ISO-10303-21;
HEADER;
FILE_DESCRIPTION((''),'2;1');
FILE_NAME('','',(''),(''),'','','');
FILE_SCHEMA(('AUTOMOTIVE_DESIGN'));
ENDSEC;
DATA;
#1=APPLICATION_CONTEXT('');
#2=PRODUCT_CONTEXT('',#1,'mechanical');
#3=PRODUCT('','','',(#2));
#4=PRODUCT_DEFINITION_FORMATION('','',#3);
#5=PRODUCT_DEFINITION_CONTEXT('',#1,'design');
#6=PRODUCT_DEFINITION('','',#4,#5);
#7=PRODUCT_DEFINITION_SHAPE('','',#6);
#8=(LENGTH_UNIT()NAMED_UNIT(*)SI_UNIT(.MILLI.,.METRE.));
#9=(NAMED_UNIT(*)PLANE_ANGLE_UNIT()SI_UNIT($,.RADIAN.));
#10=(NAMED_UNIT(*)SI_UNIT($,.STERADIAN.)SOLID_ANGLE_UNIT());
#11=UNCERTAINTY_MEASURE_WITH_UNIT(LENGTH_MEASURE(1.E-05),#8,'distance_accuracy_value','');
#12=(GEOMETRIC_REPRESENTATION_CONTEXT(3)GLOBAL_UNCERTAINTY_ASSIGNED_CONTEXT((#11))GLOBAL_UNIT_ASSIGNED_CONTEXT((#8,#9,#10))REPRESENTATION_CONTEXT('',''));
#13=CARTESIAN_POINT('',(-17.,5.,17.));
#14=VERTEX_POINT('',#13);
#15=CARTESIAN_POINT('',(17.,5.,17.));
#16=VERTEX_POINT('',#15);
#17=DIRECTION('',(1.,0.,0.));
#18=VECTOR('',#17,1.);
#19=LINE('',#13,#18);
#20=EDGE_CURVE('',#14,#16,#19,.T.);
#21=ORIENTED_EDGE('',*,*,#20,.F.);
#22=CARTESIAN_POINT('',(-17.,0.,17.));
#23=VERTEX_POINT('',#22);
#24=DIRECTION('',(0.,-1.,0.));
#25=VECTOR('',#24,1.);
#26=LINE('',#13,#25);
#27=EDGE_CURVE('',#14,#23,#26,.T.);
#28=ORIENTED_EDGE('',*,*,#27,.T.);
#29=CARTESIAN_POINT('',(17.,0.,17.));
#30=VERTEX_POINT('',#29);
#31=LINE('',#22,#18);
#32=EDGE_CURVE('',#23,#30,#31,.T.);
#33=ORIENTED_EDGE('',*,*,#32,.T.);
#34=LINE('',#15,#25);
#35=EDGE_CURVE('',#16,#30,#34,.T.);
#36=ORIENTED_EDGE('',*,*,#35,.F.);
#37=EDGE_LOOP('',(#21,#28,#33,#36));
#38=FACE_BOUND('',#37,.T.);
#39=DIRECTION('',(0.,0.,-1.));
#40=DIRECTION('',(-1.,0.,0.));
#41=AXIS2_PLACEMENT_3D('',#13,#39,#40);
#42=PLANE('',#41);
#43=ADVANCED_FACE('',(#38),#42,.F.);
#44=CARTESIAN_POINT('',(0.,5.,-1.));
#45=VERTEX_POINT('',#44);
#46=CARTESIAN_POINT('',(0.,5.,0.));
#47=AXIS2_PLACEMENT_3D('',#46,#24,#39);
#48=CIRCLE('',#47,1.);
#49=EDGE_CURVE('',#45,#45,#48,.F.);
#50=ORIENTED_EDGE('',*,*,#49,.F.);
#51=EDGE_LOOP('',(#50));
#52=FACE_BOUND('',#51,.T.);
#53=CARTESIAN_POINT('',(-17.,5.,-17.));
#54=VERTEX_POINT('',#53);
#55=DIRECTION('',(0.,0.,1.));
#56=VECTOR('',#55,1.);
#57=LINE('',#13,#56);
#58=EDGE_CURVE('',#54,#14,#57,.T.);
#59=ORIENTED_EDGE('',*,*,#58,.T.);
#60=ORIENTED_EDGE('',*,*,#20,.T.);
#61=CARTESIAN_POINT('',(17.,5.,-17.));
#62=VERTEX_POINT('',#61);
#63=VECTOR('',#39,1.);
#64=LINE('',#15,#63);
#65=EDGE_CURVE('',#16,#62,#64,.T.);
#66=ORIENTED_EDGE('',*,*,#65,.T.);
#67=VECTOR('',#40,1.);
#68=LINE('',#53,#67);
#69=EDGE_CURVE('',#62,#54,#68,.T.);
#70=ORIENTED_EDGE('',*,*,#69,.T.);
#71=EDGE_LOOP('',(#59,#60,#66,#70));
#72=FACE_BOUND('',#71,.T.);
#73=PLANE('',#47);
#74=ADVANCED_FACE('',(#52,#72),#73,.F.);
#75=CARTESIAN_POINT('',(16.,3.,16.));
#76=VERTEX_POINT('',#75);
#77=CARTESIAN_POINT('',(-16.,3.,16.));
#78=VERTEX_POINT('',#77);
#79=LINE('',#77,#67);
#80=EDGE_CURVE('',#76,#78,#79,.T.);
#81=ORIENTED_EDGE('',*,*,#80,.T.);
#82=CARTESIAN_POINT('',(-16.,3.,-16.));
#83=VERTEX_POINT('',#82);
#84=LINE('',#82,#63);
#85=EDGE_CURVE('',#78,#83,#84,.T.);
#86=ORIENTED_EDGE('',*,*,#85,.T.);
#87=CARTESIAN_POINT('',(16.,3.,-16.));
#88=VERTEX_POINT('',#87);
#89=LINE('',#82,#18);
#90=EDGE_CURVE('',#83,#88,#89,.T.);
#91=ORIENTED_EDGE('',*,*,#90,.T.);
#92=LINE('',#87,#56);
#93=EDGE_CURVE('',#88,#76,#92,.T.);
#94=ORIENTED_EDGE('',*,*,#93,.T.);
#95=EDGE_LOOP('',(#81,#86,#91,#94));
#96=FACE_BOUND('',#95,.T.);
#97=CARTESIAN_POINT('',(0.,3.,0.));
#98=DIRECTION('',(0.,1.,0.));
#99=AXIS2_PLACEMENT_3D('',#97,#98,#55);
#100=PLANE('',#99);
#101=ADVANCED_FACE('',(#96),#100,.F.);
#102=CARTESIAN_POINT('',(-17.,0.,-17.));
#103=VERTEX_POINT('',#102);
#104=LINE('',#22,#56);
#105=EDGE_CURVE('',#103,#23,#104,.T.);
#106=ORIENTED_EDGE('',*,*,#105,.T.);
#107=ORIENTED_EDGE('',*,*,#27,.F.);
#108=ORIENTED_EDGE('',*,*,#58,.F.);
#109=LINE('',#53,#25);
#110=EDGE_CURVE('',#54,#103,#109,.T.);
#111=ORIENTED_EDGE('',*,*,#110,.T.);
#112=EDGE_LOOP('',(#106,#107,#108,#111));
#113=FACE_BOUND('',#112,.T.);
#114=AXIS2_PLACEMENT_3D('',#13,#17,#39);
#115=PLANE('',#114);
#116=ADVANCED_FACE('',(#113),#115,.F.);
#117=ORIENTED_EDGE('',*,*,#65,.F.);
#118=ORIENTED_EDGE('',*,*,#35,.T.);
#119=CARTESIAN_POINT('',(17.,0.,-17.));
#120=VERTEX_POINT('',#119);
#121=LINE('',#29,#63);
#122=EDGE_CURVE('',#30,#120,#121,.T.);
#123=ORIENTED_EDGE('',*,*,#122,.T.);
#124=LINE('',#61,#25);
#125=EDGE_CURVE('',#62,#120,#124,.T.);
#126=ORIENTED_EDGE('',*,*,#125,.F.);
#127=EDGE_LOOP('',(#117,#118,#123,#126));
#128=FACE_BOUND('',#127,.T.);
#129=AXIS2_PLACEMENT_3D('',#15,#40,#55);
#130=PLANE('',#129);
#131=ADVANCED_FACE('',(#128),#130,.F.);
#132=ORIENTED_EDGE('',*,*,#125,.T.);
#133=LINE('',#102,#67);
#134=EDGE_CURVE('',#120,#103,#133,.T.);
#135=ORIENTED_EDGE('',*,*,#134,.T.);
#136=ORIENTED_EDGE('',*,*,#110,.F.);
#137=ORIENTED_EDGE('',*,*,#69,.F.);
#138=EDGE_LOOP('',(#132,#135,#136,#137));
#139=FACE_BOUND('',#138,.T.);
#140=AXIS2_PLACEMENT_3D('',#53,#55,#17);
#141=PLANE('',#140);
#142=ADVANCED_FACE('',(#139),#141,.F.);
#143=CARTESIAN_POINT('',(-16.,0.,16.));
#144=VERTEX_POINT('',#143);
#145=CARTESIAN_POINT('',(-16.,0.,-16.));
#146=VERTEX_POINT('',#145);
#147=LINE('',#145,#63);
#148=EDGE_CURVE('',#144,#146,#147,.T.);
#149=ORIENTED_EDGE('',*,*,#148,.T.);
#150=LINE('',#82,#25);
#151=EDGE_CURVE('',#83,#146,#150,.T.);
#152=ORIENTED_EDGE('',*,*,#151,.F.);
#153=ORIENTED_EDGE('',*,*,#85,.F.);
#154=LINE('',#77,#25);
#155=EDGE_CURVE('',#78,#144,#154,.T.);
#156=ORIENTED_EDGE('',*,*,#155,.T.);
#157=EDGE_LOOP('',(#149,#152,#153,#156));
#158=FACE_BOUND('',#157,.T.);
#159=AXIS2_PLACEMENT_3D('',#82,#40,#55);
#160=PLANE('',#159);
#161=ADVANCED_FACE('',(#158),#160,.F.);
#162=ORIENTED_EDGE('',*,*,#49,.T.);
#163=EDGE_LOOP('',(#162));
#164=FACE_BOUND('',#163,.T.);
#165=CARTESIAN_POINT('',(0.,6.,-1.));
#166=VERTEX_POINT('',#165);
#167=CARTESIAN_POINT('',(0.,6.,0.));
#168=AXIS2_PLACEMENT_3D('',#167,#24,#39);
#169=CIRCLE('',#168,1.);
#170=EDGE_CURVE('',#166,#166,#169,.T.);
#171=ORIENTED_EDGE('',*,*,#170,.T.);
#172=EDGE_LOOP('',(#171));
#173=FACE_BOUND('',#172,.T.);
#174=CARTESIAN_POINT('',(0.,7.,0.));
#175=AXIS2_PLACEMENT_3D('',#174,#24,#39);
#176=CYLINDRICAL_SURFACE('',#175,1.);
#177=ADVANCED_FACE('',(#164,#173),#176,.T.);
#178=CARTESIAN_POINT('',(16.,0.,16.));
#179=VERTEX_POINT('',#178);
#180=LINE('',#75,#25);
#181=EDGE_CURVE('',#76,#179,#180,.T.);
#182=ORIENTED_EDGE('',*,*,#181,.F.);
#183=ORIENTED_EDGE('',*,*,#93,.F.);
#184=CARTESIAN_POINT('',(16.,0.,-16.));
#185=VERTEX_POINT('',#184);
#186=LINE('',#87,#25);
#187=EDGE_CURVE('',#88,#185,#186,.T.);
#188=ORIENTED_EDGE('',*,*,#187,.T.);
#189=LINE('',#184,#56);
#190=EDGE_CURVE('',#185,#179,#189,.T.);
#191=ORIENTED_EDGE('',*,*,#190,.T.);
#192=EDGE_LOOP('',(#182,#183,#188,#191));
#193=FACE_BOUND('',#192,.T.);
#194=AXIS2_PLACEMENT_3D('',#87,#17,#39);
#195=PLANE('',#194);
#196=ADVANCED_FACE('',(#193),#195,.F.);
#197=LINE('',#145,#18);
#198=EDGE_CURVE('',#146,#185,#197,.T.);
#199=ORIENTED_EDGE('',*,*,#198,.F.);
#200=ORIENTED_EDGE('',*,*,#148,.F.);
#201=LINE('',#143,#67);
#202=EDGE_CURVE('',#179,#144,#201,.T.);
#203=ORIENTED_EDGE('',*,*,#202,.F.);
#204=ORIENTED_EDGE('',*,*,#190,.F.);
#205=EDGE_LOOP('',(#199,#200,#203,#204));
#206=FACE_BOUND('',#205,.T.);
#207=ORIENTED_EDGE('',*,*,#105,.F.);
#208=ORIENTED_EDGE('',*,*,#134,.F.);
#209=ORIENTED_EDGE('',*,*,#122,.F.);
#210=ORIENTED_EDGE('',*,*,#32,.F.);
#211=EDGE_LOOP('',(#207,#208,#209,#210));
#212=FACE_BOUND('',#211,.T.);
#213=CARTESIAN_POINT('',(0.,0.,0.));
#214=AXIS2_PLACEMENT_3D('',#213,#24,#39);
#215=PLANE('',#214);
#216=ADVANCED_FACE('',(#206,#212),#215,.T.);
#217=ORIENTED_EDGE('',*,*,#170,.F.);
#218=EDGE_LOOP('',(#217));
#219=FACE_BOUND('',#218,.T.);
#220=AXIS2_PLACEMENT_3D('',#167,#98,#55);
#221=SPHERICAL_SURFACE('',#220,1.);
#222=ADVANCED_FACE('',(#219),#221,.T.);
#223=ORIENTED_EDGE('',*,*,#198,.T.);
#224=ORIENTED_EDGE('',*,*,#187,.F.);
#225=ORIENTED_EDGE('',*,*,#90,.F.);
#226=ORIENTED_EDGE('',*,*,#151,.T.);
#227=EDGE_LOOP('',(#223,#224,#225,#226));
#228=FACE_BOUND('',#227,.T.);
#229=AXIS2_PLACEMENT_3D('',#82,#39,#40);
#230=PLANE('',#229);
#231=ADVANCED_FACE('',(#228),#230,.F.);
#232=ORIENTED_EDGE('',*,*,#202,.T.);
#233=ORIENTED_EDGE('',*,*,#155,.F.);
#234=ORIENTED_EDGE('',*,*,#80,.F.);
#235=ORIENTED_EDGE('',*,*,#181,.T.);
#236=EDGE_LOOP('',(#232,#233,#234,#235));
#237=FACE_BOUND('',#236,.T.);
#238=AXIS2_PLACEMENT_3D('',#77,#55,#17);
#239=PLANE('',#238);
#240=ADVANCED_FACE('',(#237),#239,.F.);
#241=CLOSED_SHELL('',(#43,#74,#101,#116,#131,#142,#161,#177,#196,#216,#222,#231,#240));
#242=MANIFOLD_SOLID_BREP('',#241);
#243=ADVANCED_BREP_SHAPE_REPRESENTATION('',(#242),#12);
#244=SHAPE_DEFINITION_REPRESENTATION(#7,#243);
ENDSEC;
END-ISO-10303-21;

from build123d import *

# Parameters (mm, degrees)
SKETCH2_W           = 34
SKETCH2_H           = 34
BOSS_EXTRUDE1_DEPTH = 5
SKETCH3_W           = 32
SKETCH3_H           = 32
CUT_EXTRUDE1_DEPTH  = 3
SKETCH4_R           = 1
BOSS_EXTRUDE2_DEPTH = 2
FILLET1_R           = 1


with BuildPart() as part:
    # Sketch2 → Boss-Extrude1 (new body)
    with BuildSketch(Plane(origin=(0, 0, 0), x_dir=(1, 0, 0), z_dir=(0, 1, 0))):
        Rectangle(SKETCH2_W, SKETCH2_H)
    extrude(amount=BOSS_EXTRUDE1_DEPTH)

    # Sketch3 → Cut-Extrude1 (cut)
    with BuildSketch(Plane.XZ):
        Rectangle(SKETCH3_W, SKETCH3_H)
    extrude(amount=-CUT_EXTRUDE1_DEPTH, mode=Mode.SUBTRACT)

    # Sketch4 → Boss-Extrude2 (add)
    with BuildSketch(Plane(origin=(0, 5, 0), x_dir=(1, 0, 0), z_dir=(0, 1, 0))):
        Circle(SKETCH4_R)
    extrude(amount=BOSS_EXTRUDE2_DEPTH)

    # Fillet1
    fillet1_edges = [part.edges().sort_by_distance(p)[0] for p in [
        (-1, 7, 0),
    ]]
    fillet(fillet1_edges, radius=FILLET1_R)


solid = part.part
